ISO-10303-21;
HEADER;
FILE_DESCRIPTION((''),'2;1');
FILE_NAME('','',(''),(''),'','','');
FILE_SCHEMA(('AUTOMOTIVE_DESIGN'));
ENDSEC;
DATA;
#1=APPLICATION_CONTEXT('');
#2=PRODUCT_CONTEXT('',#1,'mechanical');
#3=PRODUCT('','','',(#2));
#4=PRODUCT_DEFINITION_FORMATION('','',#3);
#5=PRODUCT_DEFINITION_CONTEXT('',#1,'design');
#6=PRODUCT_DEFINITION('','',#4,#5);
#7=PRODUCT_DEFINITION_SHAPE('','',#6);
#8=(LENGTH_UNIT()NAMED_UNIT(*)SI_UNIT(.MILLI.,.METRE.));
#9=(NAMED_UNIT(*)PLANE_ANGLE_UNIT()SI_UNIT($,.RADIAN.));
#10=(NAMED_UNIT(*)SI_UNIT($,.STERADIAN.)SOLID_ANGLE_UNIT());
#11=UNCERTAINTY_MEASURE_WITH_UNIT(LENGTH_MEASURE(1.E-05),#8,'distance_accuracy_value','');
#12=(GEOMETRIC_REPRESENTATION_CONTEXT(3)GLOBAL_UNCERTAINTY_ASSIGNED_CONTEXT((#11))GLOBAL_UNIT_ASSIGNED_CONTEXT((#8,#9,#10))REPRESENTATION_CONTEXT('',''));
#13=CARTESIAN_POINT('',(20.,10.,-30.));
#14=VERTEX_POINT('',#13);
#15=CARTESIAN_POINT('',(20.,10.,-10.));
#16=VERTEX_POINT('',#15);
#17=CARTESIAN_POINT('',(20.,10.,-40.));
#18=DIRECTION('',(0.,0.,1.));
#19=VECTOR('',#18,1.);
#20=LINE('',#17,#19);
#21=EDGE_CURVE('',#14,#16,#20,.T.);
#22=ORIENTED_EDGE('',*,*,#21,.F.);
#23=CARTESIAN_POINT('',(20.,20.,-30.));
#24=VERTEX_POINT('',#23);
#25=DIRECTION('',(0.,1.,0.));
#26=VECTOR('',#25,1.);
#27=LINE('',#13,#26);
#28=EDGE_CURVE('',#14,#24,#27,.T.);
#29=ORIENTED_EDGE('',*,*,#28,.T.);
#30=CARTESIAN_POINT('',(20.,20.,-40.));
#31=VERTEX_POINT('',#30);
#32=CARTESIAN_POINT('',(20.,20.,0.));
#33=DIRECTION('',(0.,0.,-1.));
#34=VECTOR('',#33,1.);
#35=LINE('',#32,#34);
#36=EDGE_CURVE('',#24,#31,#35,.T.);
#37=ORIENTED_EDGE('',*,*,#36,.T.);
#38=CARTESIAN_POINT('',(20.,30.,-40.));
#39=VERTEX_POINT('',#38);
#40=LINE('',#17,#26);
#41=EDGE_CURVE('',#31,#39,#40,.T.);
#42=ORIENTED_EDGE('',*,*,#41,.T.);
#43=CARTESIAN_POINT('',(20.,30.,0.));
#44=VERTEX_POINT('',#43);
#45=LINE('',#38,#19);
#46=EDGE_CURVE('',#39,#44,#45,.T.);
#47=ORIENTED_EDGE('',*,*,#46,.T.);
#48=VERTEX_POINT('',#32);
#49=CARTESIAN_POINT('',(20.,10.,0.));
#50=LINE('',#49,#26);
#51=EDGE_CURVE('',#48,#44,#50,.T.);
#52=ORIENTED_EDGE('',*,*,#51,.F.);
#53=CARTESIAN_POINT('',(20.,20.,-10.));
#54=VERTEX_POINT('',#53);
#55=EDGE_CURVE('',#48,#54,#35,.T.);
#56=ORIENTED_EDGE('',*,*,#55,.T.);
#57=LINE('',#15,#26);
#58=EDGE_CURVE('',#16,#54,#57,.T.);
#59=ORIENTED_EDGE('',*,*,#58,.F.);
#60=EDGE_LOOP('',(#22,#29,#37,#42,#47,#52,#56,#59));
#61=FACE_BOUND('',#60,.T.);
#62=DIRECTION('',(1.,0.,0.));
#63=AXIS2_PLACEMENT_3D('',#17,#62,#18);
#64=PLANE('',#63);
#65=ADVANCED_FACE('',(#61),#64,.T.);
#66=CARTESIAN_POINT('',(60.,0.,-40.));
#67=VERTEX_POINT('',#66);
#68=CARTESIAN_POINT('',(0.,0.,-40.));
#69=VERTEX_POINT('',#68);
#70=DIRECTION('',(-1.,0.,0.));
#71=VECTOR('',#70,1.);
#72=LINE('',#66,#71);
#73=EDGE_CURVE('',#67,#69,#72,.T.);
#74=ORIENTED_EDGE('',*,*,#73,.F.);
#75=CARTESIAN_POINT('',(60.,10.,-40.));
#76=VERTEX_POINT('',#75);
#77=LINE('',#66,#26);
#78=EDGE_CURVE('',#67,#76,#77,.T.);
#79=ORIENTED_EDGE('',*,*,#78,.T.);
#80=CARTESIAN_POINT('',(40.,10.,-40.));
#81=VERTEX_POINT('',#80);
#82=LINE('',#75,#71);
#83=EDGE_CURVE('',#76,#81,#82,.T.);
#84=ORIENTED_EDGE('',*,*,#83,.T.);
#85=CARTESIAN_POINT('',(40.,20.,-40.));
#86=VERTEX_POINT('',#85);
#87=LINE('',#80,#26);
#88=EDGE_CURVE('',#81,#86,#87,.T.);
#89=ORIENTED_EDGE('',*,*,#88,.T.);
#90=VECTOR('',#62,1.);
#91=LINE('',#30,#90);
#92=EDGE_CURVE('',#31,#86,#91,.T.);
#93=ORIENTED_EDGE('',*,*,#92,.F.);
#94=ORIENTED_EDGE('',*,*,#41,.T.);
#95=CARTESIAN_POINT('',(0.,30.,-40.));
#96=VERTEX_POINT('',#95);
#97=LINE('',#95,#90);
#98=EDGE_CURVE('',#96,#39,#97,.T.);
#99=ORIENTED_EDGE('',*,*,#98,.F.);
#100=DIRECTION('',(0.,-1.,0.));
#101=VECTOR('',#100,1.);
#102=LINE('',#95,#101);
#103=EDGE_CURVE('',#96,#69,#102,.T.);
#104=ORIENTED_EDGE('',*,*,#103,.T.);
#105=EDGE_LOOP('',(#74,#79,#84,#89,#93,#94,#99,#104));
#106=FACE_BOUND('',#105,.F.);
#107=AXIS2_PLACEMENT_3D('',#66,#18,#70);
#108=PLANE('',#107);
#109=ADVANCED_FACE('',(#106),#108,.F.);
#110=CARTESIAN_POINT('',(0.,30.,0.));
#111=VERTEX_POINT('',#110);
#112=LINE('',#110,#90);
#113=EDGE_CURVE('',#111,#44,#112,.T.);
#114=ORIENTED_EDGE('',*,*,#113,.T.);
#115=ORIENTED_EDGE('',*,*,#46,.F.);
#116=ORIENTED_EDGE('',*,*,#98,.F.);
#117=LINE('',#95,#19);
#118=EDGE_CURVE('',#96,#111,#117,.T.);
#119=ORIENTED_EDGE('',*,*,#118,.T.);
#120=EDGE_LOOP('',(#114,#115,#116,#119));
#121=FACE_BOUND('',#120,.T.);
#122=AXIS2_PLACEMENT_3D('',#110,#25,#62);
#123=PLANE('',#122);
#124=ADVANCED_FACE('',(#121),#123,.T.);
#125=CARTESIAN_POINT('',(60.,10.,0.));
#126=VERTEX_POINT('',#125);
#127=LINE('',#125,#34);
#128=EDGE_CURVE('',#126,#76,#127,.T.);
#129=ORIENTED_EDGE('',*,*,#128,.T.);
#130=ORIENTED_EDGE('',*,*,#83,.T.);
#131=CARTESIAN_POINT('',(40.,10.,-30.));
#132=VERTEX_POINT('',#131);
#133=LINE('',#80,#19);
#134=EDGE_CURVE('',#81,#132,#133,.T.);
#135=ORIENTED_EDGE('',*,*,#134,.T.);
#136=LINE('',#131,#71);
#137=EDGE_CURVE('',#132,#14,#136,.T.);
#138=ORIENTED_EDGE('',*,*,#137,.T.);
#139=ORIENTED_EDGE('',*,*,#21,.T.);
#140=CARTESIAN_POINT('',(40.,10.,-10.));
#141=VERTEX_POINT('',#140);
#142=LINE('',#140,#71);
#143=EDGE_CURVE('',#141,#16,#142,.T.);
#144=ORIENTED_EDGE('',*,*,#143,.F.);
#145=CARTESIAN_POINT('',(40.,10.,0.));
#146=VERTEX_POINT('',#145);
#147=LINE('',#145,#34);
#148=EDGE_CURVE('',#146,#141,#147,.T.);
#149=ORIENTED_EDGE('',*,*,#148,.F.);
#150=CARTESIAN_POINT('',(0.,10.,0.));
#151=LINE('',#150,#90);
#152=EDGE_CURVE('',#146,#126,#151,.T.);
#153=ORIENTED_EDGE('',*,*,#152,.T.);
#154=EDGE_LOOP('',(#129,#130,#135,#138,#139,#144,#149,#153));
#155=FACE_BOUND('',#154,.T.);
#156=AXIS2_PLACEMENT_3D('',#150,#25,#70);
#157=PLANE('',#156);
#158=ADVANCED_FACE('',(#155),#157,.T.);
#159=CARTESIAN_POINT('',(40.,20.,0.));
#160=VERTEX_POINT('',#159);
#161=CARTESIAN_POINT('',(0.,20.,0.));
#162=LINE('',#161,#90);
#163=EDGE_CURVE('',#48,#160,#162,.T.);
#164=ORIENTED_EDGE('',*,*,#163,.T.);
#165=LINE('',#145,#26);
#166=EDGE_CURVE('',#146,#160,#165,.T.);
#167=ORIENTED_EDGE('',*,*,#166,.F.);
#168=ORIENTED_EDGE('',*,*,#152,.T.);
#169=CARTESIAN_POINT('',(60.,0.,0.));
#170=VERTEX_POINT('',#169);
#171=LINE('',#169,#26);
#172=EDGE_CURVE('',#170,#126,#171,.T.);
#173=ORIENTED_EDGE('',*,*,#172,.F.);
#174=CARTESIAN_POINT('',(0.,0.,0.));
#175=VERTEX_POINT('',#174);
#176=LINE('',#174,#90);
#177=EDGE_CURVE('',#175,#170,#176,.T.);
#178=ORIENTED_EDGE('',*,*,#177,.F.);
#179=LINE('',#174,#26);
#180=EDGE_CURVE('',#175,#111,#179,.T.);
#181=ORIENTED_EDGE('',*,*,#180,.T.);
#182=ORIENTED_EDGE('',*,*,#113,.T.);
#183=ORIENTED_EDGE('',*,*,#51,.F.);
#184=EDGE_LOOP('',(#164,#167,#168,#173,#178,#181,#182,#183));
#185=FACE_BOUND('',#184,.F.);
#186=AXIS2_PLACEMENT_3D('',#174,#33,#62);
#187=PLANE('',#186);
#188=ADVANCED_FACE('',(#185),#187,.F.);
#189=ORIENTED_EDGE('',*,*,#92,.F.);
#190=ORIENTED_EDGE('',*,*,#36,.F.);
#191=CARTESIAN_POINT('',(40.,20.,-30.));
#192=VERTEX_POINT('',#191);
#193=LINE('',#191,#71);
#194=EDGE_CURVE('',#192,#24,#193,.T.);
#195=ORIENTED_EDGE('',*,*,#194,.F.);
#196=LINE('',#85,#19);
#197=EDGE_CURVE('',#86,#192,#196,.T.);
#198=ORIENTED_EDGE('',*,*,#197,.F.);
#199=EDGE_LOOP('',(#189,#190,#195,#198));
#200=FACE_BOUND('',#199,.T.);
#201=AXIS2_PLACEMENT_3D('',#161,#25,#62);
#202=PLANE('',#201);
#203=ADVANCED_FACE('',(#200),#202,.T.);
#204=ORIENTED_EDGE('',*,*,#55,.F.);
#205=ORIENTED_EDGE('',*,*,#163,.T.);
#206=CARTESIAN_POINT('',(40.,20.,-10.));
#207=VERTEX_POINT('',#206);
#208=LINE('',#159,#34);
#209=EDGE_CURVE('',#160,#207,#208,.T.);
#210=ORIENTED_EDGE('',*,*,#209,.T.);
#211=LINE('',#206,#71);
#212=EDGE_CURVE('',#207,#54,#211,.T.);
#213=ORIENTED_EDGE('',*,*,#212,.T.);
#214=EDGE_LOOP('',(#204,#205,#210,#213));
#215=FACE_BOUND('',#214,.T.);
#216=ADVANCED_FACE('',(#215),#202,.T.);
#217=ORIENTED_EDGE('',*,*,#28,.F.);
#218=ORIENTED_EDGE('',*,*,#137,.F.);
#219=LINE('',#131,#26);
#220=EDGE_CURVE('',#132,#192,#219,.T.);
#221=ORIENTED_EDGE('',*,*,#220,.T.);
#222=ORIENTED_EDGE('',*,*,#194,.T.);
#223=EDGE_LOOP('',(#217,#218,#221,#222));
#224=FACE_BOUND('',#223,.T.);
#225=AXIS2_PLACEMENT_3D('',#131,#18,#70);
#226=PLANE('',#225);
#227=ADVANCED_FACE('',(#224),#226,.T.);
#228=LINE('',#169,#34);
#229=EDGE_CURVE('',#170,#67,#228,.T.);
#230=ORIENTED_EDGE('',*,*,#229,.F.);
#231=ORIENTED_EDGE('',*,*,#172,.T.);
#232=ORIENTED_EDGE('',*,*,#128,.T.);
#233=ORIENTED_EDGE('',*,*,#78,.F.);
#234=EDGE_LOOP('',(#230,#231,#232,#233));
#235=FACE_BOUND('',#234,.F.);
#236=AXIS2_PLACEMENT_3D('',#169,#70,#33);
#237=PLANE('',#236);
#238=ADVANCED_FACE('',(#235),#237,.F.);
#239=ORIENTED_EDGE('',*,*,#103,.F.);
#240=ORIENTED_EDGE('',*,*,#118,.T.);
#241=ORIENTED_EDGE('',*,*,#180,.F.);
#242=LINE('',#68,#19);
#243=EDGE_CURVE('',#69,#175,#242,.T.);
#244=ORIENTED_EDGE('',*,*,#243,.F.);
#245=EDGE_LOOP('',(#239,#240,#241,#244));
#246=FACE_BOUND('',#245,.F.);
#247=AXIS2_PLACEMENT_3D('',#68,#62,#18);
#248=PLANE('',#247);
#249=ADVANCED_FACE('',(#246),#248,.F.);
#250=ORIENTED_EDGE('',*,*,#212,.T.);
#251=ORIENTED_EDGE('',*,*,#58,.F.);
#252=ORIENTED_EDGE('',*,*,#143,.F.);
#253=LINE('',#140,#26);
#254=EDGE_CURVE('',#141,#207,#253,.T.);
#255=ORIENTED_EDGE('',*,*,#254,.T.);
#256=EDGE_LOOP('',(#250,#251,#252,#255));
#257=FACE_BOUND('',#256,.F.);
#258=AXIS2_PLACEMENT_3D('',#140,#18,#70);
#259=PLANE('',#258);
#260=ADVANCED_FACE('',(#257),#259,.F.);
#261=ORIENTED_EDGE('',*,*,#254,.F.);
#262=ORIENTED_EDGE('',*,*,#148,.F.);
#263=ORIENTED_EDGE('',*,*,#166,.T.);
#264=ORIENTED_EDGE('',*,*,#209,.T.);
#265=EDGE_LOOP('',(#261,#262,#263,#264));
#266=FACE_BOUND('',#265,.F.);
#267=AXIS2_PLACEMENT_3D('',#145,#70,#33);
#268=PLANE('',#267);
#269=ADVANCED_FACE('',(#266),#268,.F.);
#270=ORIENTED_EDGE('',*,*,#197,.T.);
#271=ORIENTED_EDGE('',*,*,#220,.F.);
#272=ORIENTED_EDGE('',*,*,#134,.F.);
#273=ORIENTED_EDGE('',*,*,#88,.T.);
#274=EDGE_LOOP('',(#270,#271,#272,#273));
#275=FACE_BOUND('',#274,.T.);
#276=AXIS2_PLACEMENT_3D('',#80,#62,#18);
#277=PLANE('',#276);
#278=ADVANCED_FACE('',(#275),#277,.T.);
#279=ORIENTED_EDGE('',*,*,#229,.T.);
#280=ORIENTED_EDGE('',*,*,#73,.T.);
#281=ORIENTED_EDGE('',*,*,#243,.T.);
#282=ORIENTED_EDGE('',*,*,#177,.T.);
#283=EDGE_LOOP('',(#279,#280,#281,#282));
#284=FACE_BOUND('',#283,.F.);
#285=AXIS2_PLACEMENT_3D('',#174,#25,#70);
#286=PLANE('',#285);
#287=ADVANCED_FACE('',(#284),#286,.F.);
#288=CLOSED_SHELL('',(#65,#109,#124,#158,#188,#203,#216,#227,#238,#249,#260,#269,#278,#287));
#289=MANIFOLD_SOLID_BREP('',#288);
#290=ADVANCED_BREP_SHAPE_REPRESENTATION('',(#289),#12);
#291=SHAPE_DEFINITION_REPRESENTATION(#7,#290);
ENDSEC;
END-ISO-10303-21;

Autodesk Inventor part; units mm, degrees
ref_plane "YZ Plane" through (0, 0, 0) normal (1, 0, 0) x (0, 1, 0)
ref_plane "XZ Plane" through (0, 0, 0) normal (0, 1, 0) x (-1, 0, 0)
ref_plane "XY Plane" through (0, 0, 0) normal (0, 0, 1) x (1, 0, 0)
sketch "草圖1" plane through (0, 0, 0) normal (0, 1, 0) x (-1, 0, 0)
  line L0 (0, 0) -> (-60, 0)
  line L1 (-60, 0) -> (-60, -40)
  line L2 (-60, -40) -> (0, -40)
  line L3 (0, -40) -> (0, 0)
  dimension "d0" = 60
  dimension "d1" = 40
extrude "擠出1" add sketch "草圖1" along normal blind 10
sketch "草圖2" plane through (0, 10, 0) normal (0, 1, 0) x (1, 0, 0)
  line L0 (0, 40) -> (0, 0) projected
  line L1 (0, 0) -> (60, 0) projected
  line L2 (0, 40) -> (20, 40)
  line L3 (20, 40) -> (20, 0)
  line L4 (20, 0) -> (0, 0)
  line L5 (0, 0) -> (0, 40)
  dimension "d4" = 20
extrude "擠出2" add sketch "草圖2" along normal blind 20
sketch "草圖3" plane through (0, 10, 0) normal (0, 1, 0) x (1, 0, 0)
  line L0 (20, 0) -> (20, 40) projected
  line L1 (20, 40) -> (40, 40)
  line L2 (40, 40) -> (40, 30)
  line L3 (40, 30) -> (20, 30)
  line L4 (20, 30) -> (20, 40)
  line L5 (0, 0) -> (60, 0) projected
  line L6 (20, 0) -> (40, 0)
  line L7 (40, 0) -> (40, 10)
  line L8 (40, 10) -> (20, 10)
  line L9 (20, 10) -> (20, 0)
  dimension "d7" = 20
  dimension "d8" = 10
  dimension "d9" = 10
extrude "擠出3" add sketch "草圖3" along normal blind 10
properties part number "46"
